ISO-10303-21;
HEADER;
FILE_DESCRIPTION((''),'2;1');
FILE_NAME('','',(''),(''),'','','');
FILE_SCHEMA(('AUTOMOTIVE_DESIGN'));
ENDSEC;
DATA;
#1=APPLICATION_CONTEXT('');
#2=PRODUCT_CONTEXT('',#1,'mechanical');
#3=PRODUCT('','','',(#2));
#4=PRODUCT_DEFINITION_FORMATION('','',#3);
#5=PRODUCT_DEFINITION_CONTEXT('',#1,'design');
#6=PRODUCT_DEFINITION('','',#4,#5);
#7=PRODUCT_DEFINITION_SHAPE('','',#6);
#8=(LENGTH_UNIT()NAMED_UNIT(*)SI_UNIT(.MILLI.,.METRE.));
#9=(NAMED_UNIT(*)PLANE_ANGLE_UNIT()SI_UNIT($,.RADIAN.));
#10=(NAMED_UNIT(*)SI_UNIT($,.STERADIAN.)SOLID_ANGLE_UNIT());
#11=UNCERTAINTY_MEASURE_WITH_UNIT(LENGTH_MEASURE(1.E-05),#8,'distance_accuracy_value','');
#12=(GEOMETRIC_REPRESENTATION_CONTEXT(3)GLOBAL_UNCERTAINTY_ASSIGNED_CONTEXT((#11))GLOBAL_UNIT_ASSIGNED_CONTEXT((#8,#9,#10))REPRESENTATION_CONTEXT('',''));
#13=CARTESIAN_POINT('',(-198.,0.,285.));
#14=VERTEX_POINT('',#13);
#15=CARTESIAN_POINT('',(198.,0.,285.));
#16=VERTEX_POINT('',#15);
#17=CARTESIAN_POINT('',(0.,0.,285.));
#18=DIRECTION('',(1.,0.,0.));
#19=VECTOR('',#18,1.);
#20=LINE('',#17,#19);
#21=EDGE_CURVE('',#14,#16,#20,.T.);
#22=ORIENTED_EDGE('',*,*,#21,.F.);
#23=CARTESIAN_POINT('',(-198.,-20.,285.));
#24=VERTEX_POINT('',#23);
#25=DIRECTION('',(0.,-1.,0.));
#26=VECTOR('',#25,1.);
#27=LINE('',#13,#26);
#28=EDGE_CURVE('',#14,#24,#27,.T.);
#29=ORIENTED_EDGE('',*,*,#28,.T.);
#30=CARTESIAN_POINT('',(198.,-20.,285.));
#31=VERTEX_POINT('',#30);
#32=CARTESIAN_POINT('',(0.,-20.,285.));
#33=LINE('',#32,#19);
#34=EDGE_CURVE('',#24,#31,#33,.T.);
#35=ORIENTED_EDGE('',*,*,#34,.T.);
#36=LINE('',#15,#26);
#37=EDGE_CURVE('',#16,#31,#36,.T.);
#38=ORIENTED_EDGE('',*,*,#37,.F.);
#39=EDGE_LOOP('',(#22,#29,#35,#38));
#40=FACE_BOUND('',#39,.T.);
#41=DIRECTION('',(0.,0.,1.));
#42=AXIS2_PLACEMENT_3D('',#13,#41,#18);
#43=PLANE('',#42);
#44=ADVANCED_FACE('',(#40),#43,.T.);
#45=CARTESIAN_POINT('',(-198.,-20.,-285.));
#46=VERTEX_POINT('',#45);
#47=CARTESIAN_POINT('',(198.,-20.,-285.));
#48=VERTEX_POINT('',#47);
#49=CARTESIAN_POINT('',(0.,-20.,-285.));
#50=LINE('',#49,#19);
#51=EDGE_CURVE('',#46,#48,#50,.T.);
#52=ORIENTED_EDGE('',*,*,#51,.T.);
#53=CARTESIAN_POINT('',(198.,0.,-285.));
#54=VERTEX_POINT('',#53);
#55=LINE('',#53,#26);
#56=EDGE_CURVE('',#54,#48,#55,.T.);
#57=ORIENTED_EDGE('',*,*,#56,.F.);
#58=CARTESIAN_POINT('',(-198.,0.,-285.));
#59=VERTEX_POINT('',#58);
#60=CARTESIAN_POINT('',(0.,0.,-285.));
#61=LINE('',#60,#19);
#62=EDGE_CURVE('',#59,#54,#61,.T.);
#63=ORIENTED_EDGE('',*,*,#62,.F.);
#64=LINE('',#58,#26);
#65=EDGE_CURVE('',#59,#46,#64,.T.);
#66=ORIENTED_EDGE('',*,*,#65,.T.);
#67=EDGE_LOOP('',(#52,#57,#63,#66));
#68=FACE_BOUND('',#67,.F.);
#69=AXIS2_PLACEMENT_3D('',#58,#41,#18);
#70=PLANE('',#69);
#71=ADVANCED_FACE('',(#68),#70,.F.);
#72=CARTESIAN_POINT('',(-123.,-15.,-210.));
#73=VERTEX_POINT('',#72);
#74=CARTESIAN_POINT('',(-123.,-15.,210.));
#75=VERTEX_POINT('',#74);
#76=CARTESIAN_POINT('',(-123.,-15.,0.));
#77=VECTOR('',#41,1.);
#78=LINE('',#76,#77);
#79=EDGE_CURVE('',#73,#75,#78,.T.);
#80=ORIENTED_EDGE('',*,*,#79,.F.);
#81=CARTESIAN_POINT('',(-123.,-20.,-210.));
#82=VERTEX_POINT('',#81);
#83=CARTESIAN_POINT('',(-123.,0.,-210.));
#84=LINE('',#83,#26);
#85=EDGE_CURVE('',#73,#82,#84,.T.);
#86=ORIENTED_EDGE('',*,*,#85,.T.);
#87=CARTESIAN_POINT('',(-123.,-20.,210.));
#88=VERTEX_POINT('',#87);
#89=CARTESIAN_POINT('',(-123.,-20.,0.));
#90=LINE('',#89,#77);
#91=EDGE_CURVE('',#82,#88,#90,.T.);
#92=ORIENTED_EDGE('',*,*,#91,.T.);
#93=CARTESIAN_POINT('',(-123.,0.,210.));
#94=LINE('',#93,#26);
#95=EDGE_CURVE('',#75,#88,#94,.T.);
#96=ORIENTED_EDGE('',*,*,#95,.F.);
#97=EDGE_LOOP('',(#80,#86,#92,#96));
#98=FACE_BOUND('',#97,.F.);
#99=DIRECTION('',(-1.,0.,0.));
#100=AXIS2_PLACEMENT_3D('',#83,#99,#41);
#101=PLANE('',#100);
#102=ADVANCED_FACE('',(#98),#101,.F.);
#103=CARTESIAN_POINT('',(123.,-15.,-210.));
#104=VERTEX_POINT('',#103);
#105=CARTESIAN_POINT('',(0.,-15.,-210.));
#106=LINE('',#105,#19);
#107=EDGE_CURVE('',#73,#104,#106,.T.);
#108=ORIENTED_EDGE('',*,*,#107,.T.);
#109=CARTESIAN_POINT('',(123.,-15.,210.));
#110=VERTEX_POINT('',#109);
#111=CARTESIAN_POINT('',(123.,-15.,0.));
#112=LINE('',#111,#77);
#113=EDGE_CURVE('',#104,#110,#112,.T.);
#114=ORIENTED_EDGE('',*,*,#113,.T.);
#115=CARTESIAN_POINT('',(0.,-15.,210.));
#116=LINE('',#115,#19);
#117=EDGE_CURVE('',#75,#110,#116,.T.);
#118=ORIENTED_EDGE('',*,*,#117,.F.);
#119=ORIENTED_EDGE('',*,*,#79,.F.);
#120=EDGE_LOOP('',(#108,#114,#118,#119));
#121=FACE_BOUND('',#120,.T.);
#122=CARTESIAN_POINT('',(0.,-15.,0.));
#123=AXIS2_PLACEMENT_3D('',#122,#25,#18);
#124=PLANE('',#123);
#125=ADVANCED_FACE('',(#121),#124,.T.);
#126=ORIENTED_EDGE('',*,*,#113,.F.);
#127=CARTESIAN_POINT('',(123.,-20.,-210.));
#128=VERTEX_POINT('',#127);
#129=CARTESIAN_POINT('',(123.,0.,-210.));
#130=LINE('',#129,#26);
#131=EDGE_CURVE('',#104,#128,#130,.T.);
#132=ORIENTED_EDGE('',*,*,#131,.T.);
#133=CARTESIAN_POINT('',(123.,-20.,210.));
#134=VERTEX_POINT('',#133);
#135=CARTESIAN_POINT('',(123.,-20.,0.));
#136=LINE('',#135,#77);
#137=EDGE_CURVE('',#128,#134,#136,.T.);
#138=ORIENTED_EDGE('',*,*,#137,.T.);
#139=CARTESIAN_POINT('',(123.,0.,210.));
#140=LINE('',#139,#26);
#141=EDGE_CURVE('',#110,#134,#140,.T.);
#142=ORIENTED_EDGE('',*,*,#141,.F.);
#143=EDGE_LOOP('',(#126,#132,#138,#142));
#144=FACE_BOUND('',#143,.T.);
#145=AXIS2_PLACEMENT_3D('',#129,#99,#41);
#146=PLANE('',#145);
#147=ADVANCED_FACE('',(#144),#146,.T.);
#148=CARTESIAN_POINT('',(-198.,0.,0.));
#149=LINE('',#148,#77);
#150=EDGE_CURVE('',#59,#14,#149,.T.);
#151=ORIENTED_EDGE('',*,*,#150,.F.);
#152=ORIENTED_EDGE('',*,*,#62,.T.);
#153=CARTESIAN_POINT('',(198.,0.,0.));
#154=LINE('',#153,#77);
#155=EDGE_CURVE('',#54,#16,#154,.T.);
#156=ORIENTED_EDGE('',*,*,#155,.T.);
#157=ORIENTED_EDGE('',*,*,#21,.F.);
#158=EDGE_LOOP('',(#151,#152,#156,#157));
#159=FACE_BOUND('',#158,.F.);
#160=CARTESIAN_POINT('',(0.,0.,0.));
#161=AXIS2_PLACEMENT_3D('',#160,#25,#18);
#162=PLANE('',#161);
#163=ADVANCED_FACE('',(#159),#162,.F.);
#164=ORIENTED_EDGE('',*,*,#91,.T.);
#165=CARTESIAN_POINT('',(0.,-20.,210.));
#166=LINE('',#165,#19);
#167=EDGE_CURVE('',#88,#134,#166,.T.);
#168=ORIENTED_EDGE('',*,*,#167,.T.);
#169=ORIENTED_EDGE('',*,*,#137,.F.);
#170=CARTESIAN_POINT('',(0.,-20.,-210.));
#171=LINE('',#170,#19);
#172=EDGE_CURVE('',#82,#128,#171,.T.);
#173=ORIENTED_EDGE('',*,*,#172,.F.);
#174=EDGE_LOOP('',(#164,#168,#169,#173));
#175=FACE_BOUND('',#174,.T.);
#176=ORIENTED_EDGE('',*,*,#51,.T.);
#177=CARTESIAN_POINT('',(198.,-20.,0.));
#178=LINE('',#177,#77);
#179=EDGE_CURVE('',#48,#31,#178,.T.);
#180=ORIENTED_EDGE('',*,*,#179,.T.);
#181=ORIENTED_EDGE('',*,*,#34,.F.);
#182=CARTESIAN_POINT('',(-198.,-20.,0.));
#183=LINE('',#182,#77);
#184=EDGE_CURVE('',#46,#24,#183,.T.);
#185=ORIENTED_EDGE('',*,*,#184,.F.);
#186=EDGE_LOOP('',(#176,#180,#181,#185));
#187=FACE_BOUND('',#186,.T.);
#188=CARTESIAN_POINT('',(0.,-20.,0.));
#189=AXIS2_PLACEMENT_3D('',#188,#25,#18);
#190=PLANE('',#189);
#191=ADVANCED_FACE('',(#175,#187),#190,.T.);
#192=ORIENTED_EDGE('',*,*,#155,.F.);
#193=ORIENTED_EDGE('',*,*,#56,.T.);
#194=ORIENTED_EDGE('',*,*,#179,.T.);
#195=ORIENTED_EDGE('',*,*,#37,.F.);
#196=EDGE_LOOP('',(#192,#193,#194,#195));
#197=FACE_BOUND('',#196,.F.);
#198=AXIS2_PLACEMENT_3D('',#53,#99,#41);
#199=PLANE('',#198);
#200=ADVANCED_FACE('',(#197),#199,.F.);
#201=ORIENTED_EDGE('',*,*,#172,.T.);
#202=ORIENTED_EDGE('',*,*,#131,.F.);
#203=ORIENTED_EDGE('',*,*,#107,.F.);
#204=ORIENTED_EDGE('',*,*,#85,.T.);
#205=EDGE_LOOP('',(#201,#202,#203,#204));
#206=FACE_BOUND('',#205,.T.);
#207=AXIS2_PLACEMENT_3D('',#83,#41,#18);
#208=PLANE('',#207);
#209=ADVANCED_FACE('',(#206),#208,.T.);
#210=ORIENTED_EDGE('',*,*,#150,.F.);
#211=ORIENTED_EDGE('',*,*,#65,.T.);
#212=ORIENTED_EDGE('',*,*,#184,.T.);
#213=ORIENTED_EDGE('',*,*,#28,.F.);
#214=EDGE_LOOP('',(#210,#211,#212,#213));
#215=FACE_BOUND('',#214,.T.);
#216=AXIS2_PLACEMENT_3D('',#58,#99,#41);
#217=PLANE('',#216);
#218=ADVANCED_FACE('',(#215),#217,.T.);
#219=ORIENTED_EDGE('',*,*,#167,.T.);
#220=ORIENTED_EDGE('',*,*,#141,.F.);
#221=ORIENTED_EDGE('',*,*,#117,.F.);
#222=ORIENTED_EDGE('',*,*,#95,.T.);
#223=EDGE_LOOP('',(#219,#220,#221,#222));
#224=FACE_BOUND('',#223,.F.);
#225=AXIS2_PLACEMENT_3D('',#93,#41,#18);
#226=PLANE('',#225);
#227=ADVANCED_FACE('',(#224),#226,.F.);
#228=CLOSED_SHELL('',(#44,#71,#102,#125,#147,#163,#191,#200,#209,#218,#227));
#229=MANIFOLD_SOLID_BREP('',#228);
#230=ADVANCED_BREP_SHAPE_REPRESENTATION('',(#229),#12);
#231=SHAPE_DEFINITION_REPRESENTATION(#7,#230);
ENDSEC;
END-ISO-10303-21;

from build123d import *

# Parameters (mm, degrees)
F0_W     = 246
F0_H     = 420
F1_DEPTH = 15
F0_W_2   = 396
F0_H_2   = 570
F2_DEPTH = 20


with BuildPart() as f1:
    # F0 (on Front) → F1 (new body)
    with BuildSketch(Plane.XZ):
        Rectangle(F0_W, F0_H)
    extrude(amount=F1_DEPTH)

    # F0 (on Front) → F2 (join)
    with BuildSketch(Plane.XZ):
        Rectangle(F0_W_2, F0_H_2)
        Rectangle(F0_W, F0_H, mode=Mode.SUBTRACT)
    extrude(amount=F2_DEPTH)


solid = f1.part
